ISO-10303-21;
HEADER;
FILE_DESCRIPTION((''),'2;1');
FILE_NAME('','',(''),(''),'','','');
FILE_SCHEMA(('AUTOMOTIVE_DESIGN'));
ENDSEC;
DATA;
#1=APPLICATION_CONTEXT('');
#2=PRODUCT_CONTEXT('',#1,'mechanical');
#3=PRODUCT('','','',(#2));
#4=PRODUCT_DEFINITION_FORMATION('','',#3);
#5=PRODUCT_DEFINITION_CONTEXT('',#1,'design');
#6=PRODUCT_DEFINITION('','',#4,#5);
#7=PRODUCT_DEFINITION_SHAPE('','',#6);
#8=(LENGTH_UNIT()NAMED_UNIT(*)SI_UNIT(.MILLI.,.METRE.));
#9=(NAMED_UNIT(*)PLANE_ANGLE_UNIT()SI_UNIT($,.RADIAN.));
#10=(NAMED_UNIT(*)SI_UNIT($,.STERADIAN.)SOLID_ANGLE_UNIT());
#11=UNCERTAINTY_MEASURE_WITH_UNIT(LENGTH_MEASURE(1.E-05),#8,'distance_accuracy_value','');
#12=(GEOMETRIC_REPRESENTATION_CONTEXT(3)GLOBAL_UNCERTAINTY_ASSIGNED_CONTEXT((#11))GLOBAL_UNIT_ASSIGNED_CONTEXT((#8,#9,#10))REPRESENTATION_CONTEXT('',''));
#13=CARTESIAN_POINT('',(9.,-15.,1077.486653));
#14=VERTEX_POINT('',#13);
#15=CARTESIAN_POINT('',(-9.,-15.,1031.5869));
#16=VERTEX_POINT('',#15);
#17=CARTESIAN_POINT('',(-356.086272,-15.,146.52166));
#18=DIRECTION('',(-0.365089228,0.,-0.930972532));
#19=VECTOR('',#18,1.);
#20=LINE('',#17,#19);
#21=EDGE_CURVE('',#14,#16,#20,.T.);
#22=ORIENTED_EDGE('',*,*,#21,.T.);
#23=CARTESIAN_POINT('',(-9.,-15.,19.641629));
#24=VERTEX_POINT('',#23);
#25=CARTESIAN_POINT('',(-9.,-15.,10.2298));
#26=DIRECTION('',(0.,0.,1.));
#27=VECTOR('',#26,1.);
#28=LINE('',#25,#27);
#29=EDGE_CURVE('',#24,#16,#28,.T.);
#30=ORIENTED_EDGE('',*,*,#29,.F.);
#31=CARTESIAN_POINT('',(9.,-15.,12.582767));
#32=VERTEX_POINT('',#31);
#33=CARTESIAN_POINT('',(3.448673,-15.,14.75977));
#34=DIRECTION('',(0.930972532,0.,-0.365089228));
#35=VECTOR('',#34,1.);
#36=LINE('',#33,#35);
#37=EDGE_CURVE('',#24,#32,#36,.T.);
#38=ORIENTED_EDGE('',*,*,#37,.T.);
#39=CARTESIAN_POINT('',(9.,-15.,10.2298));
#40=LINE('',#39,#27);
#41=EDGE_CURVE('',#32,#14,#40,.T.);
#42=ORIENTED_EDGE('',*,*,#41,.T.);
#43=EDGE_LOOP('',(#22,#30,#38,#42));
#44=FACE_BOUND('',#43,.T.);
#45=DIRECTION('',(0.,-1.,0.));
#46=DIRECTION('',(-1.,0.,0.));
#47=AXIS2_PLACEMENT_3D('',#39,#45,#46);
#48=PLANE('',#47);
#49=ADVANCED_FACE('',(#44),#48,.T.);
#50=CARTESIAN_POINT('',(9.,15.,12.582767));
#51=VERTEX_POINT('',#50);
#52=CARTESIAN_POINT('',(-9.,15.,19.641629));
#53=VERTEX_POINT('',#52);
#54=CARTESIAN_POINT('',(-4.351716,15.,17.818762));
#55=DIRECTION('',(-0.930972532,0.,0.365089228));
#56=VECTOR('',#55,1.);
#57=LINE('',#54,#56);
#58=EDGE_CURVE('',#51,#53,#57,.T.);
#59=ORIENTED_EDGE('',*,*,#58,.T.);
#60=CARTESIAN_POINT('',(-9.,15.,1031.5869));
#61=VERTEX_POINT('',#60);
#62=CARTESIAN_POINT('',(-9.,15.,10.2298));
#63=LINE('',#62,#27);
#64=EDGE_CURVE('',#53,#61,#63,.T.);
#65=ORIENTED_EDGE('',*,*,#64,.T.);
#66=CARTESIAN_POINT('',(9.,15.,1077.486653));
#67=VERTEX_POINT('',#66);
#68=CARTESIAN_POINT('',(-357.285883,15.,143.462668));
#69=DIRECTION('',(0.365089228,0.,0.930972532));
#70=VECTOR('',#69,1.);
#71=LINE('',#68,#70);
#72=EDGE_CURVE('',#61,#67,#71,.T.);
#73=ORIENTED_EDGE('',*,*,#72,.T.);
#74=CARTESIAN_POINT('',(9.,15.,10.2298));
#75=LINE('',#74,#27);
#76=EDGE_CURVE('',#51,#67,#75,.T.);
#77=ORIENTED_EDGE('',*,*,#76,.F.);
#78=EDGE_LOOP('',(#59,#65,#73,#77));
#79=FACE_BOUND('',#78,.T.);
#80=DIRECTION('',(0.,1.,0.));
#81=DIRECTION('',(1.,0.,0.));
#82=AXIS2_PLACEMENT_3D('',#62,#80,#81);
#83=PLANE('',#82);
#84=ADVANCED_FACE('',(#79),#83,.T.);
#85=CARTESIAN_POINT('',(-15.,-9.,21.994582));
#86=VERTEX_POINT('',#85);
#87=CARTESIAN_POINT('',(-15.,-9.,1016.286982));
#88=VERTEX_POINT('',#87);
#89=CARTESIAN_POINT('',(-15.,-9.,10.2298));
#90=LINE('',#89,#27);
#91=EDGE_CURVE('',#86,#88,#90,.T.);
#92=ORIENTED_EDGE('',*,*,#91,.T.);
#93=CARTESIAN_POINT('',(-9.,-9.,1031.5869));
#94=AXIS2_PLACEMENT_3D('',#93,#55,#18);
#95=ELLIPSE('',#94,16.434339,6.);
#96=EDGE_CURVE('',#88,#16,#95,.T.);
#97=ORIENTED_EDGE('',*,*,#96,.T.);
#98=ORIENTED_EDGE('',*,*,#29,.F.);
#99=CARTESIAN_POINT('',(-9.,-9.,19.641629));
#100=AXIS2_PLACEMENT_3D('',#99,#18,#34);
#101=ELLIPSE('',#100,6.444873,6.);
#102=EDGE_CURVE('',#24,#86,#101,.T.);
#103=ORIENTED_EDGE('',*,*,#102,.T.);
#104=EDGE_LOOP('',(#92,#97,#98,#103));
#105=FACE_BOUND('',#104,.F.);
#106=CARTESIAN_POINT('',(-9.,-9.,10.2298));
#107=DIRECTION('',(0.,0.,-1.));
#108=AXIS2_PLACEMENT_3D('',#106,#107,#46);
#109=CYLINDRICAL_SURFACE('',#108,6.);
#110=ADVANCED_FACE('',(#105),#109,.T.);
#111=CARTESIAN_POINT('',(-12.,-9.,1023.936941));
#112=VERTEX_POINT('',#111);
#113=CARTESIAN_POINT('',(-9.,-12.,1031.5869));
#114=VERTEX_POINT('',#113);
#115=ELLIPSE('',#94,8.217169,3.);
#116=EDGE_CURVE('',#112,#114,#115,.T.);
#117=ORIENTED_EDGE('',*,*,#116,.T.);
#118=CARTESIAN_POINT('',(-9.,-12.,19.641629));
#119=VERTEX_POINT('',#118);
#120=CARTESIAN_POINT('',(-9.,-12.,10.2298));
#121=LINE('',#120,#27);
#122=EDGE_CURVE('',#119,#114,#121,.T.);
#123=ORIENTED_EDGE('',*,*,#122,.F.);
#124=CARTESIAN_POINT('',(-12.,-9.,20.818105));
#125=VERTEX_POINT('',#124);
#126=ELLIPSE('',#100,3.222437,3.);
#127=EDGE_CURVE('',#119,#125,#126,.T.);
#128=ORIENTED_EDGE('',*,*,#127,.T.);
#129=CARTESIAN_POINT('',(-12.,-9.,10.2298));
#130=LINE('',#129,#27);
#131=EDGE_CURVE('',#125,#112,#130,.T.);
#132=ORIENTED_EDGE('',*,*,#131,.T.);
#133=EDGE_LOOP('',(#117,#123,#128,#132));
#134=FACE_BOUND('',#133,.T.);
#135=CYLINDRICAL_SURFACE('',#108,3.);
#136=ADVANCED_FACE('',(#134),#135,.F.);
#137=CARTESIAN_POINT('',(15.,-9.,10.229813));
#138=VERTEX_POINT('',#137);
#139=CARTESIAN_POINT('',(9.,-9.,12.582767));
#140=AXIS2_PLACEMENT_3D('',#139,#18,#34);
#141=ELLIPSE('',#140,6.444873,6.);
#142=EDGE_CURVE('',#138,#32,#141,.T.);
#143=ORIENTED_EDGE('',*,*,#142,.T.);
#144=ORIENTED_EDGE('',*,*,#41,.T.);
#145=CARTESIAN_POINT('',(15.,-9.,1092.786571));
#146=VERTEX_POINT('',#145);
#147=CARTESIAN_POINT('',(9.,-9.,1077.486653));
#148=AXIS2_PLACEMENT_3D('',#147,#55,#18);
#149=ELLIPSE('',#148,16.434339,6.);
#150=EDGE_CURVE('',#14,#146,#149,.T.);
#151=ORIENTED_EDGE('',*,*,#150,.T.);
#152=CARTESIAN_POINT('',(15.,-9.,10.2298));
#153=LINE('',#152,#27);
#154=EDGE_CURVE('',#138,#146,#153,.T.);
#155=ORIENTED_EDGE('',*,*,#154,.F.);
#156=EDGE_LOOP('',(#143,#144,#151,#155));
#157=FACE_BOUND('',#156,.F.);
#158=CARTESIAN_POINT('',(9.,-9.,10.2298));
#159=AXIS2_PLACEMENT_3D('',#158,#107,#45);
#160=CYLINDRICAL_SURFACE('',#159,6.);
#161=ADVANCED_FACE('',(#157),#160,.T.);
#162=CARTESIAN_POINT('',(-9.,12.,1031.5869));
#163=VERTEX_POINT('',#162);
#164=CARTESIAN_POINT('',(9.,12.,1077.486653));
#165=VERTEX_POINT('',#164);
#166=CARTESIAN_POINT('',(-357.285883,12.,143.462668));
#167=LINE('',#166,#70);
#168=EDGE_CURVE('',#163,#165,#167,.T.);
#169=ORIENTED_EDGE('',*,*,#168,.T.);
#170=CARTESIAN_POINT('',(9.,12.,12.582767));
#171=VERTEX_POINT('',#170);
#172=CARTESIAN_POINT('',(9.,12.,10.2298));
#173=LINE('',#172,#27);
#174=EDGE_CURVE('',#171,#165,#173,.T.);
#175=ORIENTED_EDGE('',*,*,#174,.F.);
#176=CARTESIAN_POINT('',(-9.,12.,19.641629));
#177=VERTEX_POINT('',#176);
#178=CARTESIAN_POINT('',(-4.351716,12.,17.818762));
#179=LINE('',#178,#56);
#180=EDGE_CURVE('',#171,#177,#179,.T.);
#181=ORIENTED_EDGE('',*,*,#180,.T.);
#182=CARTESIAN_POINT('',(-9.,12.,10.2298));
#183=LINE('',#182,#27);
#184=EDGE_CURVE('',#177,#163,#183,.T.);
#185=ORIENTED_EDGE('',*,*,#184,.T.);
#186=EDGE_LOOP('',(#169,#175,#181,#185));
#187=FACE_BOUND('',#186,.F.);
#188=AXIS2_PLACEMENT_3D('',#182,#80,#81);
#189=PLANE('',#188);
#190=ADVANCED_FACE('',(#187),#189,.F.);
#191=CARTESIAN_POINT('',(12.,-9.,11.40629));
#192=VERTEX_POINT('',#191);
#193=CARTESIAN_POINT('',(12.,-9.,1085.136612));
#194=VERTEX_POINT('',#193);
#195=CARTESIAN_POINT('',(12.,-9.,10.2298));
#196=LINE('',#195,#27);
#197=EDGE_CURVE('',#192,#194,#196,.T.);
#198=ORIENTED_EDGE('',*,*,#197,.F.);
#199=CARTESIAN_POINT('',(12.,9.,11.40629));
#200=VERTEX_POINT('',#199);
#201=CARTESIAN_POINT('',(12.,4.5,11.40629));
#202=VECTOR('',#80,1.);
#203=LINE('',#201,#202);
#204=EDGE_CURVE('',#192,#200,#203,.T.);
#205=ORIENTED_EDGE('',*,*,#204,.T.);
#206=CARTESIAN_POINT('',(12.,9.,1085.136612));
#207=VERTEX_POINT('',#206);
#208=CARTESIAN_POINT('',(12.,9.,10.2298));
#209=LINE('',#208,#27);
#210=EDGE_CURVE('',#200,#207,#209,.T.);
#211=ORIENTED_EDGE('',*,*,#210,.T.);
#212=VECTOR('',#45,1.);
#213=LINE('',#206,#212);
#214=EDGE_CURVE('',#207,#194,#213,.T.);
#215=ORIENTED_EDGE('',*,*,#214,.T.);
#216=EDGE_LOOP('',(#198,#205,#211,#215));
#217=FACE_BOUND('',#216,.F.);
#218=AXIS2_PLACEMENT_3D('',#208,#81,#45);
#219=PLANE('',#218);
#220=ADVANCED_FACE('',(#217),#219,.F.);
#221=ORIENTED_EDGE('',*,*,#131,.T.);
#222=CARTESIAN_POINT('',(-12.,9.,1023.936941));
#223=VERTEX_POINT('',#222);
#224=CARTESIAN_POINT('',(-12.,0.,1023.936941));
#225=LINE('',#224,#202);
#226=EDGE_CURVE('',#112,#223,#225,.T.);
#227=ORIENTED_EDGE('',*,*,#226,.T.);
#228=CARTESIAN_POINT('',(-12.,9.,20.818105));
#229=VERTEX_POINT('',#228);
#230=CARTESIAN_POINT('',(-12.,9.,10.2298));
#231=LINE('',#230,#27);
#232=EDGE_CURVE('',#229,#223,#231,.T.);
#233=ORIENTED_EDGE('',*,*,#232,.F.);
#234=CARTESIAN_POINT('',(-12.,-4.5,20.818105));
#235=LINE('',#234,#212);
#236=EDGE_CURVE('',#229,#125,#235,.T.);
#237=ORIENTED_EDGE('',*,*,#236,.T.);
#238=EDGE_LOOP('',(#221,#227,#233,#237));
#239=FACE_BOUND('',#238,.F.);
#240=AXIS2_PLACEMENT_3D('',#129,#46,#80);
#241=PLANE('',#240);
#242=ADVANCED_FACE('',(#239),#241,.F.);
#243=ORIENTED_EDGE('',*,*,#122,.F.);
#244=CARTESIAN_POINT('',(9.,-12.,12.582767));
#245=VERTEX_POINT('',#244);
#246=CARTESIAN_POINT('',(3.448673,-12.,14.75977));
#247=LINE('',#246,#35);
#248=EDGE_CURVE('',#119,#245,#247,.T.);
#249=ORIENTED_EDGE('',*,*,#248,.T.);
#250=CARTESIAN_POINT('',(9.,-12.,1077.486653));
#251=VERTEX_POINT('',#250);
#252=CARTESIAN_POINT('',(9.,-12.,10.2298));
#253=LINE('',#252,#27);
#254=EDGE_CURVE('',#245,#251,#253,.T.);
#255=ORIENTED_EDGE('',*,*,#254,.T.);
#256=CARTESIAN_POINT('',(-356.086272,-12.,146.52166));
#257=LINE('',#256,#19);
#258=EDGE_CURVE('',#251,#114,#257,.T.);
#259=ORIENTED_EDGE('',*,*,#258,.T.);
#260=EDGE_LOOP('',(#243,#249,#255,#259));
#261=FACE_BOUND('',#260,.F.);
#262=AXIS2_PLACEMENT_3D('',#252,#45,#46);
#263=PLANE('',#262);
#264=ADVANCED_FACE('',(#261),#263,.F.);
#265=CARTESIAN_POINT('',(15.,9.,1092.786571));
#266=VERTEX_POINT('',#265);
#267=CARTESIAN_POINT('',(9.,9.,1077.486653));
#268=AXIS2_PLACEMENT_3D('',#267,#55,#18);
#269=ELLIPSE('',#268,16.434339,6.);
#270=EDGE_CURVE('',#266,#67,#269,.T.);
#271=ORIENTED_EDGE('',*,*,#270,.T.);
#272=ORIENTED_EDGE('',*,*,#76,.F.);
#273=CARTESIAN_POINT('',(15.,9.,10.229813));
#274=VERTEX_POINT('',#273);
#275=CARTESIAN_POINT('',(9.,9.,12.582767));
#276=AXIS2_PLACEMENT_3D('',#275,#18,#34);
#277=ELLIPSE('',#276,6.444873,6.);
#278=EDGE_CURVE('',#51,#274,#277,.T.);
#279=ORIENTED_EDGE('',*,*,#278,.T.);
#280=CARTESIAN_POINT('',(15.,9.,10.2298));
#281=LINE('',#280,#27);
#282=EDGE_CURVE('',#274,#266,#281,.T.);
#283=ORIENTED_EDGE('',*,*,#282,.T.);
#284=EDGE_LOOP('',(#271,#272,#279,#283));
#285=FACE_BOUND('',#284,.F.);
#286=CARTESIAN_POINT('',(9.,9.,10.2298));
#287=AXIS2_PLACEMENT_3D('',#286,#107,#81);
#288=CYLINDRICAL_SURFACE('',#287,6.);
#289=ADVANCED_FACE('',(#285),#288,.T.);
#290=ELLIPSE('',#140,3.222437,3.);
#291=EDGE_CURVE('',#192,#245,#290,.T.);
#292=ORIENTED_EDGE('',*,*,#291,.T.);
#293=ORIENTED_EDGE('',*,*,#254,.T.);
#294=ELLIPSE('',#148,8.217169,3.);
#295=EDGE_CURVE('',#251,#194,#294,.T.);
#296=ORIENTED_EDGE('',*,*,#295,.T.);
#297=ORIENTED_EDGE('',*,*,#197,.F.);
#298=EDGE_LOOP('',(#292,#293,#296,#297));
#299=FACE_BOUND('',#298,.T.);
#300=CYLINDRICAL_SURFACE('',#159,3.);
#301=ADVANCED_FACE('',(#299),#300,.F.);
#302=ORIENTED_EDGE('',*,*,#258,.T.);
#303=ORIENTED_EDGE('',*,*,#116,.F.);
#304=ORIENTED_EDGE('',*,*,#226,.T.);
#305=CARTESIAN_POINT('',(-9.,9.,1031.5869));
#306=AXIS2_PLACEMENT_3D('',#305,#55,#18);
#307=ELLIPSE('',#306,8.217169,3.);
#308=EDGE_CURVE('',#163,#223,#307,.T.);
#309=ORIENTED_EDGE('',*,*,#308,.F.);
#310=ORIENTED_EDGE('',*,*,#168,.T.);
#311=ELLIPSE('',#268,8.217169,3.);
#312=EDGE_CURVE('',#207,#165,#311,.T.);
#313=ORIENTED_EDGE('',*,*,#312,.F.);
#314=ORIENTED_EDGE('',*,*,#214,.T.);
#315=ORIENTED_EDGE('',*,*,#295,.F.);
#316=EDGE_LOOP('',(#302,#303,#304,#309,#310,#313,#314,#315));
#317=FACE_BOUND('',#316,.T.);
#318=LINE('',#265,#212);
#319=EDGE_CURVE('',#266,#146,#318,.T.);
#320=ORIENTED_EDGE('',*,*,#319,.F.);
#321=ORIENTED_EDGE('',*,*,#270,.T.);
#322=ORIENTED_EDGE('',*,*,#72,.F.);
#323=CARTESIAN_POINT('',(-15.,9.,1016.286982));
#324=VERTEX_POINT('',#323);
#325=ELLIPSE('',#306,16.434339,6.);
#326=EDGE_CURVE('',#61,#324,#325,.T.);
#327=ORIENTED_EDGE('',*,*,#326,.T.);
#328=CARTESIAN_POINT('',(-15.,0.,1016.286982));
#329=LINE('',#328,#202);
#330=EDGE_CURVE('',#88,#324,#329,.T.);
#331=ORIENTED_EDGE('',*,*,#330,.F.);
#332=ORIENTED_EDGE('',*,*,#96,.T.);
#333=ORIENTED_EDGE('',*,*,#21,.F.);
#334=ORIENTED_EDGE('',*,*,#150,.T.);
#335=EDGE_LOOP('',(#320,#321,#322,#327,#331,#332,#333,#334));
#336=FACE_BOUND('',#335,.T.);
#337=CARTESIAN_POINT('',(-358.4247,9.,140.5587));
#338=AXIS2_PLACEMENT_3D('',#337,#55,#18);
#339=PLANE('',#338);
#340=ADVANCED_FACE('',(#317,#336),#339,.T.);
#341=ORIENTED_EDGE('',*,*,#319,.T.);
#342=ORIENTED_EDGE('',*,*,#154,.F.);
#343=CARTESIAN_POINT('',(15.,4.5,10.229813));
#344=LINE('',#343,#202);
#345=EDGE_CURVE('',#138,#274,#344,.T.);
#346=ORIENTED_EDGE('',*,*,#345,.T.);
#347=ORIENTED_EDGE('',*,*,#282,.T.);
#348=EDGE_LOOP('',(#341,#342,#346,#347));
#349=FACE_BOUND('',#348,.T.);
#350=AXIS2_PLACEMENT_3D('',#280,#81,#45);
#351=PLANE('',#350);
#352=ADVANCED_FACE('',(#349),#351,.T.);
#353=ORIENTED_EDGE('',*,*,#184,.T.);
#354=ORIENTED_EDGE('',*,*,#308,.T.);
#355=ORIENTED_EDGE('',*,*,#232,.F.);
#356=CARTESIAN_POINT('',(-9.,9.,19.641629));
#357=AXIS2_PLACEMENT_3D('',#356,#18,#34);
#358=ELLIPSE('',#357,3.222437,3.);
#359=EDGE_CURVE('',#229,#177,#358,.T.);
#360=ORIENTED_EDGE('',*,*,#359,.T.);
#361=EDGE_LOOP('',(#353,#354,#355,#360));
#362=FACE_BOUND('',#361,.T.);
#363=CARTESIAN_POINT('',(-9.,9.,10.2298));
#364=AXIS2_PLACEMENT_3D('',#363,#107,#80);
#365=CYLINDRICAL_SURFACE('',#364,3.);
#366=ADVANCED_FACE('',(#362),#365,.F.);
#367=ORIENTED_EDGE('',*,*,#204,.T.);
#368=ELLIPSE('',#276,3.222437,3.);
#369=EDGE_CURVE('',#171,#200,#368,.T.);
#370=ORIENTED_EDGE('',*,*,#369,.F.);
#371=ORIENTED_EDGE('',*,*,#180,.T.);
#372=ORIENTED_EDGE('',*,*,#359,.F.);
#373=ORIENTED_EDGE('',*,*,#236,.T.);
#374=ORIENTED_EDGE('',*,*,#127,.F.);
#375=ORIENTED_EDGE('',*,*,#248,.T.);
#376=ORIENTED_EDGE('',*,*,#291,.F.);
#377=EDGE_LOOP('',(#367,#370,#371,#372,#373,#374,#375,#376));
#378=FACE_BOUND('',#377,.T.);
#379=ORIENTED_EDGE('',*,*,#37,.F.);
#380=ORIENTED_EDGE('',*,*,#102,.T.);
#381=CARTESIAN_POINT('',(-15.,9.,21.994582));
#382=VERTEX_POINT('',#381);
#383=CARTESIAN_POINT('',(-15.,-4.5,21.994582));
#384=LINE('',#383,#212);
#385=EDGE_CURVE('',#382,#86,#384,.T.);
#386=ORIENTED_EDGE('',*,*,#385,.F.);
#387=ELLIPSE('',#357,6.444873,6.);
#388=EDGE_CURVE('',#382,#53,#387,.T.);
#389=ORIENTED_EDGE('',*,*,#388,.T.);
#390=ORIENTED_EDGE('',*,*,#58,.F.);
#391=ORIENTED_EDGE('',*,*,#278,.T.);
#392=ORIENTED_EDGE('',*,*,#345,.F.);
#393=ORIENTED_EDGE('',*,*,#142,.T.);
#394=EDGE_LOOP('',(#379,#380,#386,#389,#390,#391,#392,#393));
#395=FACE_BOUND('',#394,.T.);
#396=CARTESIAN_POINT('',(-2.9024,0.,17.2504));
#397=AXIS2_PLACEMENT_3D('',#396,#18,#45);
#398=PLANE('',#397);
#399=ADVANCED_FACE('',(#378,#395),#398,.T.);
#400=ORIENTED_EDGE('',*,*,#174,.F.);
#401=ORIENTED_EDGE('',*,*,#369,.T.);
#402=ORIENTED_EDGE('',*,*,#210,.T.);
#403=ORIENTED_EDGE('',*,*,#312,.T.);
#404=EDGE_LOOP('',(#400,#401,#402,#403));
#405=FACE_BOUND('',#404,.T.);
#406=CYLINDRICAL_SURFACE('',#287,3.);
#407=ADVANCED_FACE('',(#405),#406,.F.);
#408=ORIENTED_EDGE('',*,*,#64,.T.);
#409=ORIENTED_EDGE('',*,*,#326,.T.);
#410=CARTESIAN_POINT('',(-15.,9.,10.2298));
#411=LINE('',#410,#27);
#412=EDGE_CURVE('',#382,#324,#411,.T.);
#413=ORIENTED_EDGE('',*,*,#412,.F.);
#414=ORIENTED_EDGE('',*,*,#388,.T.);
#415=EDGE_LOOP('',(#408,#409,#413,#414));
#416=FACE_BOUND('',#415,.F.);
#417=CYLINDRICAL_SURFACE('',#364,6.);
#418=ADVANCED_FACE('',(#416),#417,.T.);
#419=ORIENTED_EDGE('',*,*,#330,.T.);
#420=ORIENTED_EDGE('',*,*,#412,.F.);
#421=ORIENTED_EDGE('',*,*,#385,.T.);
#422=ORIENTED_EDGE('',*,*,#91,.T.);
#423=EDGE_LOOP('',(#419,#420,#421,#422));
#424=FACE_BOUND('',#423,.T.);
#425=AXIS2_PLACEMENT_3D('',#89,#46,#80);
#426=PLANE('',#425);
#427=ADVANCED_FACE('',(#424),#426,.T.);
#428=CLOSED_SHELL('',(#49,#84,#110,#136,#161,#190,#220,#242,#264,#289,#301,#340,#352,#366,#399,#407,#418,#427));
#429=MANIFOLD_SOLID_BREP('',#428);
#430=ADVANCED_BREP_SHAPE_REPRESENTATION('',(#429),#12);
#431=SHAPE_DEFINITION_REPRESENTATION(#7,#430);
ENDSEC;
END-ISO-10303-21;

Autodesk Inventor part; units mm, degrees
ref_plane "Start Plane" through (0, 0, 10.2298) normal (0, 0, 1) x (1, 0, 0)
ref_plane "End Plane" through (0, 0, 1092.7916) normal (0, 0, 1) x (1, 0, 0)
sketch "Sketch" plane through (0, 0, 0) normal (0, 0, 1) x (1, 0, 0)
  line L0 (-15, -9) -> (-15, 9)
  line L1 (-9, 15) -> (9, 15)
  line L2 (15, 9) -> (15, -9)
  line L3 (9, -15) -> (-9, -15)
  arc A0 (-15, -9) -> (-9, -15) centre (-9, -9) ccw
  arc A1 (-9, 15) -> (-15, 9) centre (-9, 9) ccw
  arc A2 (15, 9) -> (9, 15) centre (9, 9) ccw
  arc A3 (9, -15) -> (15, -9) centre (9, -9) ccw
  arc A4 (-9, 12) -> (-12, 9) centre (-9, 9) ccw
  line L4 (-9, 12) -> (9, 12)
  arc A5 (12, 9) -> (9, 12) centre (9, 9) ccw
  line L5 (12, 9) -> (12, -9)
  arc A6 (9, -12) -> (12, -9) centre (9, -9) ccw
  line L6 (9, -12) -> (-9, -12)
  arc A7 (-12, -9) -> (-9, -12) centre (-9, -9) ccw
  line L7 (-12, -9) -> (-12, 9)
  line L8 (0, 22.7397) -> (0, -22.7397) construction
  line L9 (-22.7397, 0) -> (22.7397, 0) construction
  dimension "d7" = 6
  dimension "d10" = 30
  dimension "d11" = 30
  dimension "d12" = 3
  dimension "d15" = 15
  dimension "d16" = 15
extrude "Body" add sketch "Sketch" along normal up to surface (1082.5618 mm away) from surface at 10.2298
sketch "Sketch3" plane through (0, 0, 0) normal (0, 0, 1) x (1, 0, 0)
  line L0 (0, 0) -> (10, 0)
ref_plane "Work Plane3" through (0, 0, 0) normal (0, -1, 0) x (1, 0, 0)
ref_plane "Work Plane4" through (-358.4247, 9, 140.5587) normal (-0.931, 0, 0.3651) x (0.3651, 0, 0.931)
split "Split1" plane through (-358.4247, 9, 140.5587) removes the side toward (-0.931, 0, 0.3651)
ref_plane "Work Plane5" through (-2.9024, 0, 17.2504) normal (-0.3651, 0, -0.931) x (-0.931, 0, 0.3651)
split "Split2" plane through (-2.9024, 0, 17.2504) removes the side toward (-0.3651, 0, -0.931)
sketch "Sketch4" plane through (0, 0, 0) normal (0, -1, 0) x (1, 0, 0)
  line L0 (-2, 10.2298) -> (12, 10.2298) projected
  line L1 (-2, 1092.7916) -> (12, 1092.7916) projected
  dimension "d18" = 1082.5618
equation "\"d7\" = G_IR"
equation "\"d10\" = G_H"
equation "\"d11\" = G_W"
equation "\"d12\" = G_T"
equation "\"d15\" = 0.5 * d10"
equation "\"d16\" = 0.5 * d11"
equation "\"d3\" = G_L"
equation "\"G_W\" = 30"
equation "\"G_H\" = 30"
equation "\"G_T\" = 3"
equation "\"G_IR\" = 6"
equation "\"G_L\" = d18"
equation "\"G_OFFSET_START\" = -10.22982"
equation "\"G_OFFSET_END\" = -2.83604"
equation "\"d13\" = -G_OFFSET_START"
equation "\"d14\" = G_OFFSET_END + B_L"
equation "\"B_L\" = 1095.62767"
properties part number "DIN EN 10219-2 - 30 x 30 x 3  - 1082.56" material "Steel, Mild"
